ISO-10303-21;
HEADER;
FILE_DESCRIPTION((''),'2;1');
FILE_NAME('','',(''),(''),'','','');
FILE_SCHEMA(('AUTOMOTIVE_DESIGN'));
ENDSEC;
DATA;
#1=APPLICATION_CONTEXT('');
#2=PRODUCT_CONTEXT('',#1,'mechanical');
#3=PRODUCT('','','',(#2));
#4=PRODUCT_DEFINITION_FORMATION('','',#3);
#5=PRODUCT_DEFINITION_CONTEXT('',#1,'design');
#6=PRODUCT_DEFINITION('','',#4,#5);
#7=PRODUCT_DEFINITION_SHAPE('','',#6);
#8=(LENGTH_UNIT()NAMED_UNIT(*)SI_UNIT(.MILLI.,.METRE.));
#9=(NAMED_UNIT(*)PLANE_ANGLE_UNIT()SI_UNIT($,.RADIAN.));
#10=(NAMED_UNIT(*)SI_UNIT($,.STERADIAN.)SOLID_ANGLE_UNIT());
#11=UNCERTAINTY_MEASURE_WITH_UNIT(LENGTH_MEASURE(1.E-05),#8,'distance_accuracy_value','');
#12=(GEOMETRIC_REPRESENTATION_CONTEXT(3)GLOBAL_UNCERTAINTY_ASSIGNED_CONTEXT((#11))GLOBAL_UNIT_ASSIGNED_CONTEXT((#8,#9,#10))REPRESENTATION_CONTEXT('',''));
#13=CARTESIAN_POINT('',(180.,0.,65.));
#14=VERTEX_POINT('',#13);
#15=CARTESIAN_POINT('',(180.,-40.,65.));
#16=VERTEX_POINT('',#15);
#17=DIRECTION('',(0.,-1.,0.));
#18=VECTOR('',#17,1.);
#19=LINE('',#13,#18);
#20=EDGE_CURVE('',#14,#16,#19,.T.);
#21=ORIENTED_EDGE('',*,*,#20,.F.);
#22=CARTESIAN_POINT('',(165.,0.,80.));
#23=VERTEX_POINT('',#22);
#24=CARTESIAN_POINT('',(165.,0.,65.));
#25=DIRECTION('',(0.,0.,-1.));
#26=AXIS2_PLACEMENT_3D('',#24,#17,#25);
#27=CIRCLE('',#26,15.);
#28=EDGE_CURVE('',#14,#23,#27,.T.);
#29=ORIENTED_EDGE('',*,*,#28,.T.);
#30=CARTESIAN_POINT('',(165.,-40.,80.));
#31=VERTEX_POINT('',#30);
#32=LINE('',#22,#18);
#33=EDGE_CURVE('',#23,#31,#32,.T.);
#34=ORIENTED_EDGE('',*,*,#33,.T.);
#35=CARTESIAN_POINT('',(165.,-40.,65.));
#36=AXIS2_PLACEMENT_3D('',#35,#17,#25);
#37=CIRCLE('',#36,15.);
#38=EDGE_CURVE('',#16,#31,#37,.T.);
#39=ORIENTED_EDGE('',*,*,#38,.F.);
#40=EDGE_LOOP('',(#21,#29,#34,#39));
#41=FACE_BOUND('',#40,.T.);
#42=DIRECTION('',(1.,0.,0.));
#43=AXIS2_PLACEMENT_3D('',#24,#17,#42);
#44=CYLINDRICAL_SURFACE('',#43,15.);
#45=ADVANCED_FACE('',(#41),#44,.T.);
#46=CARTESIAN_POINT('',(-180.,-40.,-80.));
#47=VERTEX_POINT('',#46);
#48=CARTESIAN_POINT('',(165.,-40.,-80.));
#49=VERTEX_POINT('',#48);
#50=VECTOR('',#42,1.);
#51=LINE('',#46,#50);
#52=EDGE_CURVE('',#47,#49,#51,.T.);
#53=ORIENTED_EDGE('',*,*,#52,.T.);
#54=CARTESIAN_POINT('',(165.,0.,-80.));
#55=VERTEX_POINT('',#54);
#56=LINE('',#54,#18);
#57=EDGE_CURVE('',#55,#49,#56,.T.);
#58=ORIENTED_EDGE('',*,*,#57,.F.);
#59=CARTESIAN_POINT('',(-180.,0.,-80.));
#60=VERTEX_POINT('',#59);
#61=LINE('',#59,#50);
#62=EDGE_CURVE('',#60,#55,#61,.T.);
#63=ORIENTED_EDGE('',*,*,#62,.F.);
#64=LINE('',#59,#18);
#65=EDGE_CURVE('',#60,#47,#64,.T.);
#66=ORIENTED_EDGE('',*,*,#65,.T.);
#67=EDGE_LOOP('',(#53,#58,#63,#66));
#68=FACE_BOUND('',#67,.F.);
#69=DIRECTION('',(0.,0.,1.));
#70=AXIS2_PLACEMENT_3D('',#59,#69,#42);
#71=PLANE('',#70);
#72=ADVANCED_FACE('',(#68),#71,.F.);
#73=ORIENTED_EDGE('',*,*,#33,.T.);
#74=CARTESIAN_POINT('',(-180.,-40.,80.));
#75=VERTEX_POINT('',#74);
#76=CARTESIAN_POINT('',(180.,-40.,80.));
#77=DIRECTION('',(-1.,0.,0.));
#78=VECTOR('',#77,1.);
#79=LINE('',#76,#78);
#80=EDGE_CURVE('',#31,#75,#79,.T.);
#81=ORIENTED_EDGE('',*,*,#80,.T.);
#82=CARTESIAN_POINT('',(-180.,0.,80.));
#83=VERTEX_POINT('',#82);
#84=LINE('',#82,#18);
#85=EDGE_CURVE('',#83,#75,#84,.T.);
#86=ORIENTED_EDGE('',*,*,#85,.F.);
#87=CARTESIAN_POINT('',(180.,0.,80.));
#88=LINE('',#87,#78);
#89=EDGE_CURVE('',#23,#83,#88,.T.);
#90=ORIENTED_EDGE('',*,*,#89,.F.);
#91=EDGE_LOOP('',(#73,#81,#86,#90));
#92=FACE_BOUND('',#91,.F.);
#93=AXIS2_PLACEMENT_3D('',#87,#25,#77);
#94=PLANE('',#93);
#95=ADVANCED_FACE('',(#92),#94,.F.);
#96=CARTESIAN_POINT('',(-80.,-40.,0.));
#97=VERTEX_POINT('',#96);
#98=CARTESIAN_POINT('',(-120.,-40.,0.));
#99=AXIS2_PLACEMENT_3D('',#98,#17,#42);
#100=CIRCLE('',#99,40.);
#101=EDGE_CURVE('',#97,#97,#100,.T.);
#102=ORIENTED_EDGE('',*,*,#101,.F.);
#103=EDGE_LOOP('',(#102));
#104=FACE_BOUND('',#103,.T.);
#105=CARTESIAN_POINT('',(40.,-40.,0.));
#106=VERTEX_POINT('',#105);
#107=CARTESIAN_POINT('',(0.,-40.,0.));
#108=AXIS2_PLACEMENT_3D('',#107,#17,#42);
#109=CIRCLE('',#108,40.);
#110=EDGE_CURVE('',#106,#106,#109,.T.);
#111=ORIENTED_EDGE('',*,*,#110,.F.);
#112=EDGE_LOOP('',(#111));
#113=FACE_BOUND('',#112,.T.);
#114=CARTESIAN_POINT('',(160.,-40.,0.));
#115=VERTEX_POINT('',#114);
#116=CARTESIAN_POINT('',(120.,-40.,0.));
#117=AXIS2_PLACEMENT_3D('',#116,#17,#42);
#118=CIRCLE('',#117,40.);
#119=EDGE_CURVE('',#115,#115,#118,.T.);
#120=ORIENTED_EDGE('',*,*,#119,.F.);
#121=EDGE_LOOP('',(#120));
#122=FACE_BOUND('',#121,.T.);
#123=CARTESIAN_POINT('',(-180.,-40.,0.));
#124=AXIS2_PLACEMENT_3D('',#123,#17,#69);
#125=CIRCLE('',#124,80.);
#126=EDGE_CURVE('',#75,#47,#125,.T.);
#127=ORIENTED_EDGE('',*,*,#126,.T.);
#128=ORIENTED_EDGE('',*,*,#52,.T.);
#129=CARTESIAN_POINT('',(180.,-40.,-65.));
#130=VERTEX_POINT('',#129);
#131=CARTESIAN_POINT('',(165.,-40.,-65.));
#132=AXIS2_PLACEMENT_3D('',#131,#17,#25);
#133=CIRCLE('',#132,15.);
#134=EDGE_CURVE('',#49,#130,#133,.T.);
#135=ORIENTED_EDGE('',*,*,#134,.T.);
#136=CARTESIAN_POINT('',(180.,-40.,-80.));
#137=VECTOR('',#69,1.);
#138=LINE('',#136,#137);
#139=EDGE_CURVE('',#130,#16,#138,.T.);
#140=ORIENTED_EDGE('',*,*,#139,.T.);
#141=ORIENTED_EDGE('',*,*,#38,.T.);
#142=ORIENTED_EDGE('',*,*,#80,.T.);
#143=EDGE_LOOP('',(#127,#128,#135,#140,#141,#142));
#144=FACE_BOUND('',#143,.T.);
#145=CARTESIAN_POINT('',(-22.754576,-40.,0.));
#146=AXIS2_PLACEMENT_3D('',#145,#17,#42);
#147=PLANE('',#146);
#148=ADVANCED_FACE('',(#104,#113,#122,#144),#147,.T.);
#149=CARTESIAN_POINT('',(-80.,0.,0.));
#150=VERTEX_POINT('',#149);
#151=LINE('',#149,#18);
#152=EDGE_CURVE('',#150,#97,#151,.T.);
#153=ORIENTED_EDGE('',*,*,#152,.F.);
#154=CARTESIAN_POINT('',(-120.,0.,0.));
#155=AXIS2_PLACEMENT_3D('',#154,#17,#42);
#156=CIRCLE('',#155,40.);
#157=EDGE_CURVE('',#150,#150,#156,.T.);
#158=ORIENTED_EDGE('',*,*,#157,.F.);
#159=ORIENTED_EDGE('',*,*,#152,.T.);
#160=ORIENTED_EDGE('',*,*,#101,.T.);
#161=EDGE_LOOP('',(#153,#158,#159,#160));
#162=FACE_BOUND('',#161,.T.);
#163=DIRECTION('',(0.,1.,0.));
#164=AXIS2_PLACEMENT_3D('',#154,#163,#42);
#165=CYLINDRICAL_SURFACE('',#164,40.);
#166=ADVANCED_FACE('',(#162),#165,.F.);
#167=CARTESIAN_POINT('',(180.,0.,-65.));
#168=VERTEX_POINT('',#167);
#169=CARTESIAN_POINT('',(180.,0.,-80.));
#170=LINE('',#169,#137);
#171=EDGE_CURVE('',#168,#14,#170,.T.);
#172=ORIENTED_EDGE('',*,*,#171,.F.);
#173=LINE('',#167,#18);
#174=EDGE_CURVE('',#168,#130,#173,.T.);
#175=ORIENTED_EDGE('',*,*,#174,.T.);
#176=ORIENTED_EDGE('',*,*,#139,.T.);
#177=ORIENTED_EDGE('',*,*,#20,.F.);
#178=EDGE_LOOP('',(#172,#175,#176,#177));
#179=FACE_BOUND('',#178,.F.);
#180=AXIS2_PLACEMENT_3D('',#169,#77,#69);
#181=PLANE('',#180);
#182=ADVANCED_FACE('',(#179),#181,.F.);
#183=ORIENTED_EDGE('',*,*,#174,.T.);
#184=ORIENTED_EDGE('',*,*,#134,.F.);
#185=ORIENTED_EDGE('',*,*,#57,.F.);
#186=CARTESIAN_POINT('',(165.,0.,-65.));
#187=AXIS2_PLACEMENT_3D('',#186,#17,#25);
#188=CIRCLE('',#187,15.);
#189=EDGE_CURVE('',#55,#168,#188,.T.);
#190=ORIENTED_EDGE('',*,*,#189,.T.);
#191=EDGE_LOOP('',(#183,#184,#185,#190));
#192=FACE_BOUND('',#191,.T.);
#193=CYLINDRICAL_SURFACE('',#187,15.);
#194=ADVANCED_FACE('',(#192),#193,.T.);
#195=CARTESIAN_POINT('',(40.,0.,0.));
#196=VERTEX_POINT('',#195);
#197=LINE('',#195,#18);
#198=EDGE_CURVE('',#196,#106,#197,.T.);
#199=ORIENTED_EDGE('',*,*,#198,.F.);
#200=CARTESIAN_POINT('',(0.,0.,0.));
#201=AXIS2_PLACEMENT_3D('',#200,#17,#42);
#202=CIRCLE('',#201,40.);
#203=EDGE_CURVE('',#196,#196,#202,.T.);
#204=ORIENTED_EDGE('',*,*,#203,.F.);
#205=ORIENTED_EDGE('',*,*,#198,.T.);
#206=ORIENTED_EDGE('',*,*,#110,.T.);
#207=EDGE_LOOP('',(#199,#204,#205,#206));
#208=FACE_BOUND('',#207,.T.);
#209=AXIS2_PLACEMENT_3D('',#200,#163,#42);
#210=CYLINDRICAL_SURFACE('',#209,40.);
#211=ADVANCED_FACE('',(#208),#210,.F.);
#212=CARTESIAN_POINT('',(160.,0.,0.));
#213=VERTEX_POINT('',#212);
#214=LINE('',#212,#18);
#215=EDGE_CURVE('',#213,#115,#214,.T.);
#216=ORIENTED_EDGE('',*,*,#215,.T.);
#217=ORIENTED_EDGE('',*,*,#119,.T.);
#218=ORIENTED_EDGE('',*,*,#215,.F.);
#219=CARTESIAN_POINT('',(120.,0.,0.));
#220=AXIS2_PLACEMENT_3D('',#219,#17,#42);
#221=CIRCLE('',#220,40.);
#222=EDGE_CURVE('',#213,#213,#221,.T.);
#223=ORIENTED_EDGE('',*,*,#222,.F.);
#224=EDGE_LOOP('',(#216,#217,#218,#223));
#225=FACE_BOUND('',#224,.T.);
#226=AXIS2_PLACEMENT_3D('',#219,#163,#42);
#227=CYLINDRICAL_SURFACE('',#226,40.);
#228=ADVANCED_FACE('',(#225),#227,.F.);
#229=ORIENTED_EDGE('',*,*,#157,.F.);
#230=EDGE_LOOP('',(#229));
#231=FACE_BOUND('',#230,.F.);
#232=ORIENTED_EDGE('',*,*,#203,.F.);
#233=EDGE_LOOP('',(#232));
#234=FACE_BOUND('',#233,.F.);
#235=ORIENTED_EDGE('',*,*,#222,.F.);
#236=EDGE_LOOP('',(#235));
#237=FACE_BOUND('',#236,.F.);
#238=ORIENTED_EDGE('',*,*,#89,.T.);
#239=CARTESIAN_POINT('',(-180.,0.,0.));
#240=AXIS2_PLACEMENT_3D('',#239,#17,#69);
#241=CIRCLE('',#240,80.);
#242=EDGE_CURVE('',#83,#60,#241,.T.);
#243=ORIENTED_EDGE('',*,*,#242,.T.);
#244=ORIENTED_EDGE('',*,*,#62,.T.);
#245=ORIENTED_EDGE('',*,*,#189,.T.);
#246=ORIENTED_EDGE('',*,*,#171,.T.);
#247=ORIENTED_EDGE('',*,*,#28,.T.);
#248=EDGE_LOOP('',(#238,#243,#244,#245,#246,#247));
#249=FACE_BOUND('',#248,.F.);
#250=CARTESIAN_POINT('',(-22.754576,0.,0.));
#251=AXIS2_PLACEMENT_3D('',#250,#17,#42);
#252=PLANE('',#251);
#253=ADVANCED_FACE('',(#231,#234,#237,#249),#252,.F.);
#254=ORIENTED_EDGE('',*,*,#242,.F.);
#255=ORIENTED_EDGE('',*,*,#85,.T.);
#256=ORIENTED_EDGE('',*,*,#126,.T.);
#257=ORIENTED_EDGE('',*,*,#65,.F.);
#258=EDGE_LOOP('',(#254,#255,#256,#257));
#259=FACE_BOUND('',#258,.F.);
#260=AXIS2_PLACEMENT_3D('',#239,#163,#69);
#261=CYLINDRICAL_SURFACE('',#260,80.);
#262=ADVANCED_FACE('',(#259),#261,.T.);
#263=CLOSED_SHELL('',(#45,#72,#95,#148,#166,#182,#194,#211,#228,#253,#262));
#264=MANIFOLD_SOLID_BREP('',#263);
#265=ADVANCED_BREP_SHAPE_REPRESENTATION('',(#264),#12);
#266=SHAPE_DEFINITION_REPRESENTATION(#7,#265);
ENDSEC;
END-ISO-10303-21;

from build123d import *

# Parameters (mm, degrees)
F0_R     = 40
F1_DEPTH = 40
F2_R     = 15


with BuildPart() as f1:
    # F0 (on Front) → F1 (new body)
    with BuildSketch(Plane.XZ):
        with BuildLine():
            Line((-180, -80), (-20, -80))
            Line((-20, -80), (180, -80))
            Line((180, -80), (180, 80))
            Line((180, 80), (120, 80))
            Line((120, 80), (0, 80))
            Line((0, 80), (-180, 80))
            ThreePointArc((-180, 80), (-260, 0), (-180, -80))
        make_face()
        with Locations((-120, 0)):
            Circle(F0_R, mode=Mode.SUBTRACT)
        Circle(F0_R, mode=Mode.SUBTRACT)
        with Locations((120, 0)):
            Circle(F0_R, mode=Mode.SUBTRACT)
    extrude(amount=F1_DEPTH)

    # F2
    f2_edges = [f1.edges().sort_by_distance(p)[0] for p in [
        (180, -20, 80),
        (180, -20, -80),
    ]]
    fillet(f2_edges, radius=F2_R)


solid = f1.part
